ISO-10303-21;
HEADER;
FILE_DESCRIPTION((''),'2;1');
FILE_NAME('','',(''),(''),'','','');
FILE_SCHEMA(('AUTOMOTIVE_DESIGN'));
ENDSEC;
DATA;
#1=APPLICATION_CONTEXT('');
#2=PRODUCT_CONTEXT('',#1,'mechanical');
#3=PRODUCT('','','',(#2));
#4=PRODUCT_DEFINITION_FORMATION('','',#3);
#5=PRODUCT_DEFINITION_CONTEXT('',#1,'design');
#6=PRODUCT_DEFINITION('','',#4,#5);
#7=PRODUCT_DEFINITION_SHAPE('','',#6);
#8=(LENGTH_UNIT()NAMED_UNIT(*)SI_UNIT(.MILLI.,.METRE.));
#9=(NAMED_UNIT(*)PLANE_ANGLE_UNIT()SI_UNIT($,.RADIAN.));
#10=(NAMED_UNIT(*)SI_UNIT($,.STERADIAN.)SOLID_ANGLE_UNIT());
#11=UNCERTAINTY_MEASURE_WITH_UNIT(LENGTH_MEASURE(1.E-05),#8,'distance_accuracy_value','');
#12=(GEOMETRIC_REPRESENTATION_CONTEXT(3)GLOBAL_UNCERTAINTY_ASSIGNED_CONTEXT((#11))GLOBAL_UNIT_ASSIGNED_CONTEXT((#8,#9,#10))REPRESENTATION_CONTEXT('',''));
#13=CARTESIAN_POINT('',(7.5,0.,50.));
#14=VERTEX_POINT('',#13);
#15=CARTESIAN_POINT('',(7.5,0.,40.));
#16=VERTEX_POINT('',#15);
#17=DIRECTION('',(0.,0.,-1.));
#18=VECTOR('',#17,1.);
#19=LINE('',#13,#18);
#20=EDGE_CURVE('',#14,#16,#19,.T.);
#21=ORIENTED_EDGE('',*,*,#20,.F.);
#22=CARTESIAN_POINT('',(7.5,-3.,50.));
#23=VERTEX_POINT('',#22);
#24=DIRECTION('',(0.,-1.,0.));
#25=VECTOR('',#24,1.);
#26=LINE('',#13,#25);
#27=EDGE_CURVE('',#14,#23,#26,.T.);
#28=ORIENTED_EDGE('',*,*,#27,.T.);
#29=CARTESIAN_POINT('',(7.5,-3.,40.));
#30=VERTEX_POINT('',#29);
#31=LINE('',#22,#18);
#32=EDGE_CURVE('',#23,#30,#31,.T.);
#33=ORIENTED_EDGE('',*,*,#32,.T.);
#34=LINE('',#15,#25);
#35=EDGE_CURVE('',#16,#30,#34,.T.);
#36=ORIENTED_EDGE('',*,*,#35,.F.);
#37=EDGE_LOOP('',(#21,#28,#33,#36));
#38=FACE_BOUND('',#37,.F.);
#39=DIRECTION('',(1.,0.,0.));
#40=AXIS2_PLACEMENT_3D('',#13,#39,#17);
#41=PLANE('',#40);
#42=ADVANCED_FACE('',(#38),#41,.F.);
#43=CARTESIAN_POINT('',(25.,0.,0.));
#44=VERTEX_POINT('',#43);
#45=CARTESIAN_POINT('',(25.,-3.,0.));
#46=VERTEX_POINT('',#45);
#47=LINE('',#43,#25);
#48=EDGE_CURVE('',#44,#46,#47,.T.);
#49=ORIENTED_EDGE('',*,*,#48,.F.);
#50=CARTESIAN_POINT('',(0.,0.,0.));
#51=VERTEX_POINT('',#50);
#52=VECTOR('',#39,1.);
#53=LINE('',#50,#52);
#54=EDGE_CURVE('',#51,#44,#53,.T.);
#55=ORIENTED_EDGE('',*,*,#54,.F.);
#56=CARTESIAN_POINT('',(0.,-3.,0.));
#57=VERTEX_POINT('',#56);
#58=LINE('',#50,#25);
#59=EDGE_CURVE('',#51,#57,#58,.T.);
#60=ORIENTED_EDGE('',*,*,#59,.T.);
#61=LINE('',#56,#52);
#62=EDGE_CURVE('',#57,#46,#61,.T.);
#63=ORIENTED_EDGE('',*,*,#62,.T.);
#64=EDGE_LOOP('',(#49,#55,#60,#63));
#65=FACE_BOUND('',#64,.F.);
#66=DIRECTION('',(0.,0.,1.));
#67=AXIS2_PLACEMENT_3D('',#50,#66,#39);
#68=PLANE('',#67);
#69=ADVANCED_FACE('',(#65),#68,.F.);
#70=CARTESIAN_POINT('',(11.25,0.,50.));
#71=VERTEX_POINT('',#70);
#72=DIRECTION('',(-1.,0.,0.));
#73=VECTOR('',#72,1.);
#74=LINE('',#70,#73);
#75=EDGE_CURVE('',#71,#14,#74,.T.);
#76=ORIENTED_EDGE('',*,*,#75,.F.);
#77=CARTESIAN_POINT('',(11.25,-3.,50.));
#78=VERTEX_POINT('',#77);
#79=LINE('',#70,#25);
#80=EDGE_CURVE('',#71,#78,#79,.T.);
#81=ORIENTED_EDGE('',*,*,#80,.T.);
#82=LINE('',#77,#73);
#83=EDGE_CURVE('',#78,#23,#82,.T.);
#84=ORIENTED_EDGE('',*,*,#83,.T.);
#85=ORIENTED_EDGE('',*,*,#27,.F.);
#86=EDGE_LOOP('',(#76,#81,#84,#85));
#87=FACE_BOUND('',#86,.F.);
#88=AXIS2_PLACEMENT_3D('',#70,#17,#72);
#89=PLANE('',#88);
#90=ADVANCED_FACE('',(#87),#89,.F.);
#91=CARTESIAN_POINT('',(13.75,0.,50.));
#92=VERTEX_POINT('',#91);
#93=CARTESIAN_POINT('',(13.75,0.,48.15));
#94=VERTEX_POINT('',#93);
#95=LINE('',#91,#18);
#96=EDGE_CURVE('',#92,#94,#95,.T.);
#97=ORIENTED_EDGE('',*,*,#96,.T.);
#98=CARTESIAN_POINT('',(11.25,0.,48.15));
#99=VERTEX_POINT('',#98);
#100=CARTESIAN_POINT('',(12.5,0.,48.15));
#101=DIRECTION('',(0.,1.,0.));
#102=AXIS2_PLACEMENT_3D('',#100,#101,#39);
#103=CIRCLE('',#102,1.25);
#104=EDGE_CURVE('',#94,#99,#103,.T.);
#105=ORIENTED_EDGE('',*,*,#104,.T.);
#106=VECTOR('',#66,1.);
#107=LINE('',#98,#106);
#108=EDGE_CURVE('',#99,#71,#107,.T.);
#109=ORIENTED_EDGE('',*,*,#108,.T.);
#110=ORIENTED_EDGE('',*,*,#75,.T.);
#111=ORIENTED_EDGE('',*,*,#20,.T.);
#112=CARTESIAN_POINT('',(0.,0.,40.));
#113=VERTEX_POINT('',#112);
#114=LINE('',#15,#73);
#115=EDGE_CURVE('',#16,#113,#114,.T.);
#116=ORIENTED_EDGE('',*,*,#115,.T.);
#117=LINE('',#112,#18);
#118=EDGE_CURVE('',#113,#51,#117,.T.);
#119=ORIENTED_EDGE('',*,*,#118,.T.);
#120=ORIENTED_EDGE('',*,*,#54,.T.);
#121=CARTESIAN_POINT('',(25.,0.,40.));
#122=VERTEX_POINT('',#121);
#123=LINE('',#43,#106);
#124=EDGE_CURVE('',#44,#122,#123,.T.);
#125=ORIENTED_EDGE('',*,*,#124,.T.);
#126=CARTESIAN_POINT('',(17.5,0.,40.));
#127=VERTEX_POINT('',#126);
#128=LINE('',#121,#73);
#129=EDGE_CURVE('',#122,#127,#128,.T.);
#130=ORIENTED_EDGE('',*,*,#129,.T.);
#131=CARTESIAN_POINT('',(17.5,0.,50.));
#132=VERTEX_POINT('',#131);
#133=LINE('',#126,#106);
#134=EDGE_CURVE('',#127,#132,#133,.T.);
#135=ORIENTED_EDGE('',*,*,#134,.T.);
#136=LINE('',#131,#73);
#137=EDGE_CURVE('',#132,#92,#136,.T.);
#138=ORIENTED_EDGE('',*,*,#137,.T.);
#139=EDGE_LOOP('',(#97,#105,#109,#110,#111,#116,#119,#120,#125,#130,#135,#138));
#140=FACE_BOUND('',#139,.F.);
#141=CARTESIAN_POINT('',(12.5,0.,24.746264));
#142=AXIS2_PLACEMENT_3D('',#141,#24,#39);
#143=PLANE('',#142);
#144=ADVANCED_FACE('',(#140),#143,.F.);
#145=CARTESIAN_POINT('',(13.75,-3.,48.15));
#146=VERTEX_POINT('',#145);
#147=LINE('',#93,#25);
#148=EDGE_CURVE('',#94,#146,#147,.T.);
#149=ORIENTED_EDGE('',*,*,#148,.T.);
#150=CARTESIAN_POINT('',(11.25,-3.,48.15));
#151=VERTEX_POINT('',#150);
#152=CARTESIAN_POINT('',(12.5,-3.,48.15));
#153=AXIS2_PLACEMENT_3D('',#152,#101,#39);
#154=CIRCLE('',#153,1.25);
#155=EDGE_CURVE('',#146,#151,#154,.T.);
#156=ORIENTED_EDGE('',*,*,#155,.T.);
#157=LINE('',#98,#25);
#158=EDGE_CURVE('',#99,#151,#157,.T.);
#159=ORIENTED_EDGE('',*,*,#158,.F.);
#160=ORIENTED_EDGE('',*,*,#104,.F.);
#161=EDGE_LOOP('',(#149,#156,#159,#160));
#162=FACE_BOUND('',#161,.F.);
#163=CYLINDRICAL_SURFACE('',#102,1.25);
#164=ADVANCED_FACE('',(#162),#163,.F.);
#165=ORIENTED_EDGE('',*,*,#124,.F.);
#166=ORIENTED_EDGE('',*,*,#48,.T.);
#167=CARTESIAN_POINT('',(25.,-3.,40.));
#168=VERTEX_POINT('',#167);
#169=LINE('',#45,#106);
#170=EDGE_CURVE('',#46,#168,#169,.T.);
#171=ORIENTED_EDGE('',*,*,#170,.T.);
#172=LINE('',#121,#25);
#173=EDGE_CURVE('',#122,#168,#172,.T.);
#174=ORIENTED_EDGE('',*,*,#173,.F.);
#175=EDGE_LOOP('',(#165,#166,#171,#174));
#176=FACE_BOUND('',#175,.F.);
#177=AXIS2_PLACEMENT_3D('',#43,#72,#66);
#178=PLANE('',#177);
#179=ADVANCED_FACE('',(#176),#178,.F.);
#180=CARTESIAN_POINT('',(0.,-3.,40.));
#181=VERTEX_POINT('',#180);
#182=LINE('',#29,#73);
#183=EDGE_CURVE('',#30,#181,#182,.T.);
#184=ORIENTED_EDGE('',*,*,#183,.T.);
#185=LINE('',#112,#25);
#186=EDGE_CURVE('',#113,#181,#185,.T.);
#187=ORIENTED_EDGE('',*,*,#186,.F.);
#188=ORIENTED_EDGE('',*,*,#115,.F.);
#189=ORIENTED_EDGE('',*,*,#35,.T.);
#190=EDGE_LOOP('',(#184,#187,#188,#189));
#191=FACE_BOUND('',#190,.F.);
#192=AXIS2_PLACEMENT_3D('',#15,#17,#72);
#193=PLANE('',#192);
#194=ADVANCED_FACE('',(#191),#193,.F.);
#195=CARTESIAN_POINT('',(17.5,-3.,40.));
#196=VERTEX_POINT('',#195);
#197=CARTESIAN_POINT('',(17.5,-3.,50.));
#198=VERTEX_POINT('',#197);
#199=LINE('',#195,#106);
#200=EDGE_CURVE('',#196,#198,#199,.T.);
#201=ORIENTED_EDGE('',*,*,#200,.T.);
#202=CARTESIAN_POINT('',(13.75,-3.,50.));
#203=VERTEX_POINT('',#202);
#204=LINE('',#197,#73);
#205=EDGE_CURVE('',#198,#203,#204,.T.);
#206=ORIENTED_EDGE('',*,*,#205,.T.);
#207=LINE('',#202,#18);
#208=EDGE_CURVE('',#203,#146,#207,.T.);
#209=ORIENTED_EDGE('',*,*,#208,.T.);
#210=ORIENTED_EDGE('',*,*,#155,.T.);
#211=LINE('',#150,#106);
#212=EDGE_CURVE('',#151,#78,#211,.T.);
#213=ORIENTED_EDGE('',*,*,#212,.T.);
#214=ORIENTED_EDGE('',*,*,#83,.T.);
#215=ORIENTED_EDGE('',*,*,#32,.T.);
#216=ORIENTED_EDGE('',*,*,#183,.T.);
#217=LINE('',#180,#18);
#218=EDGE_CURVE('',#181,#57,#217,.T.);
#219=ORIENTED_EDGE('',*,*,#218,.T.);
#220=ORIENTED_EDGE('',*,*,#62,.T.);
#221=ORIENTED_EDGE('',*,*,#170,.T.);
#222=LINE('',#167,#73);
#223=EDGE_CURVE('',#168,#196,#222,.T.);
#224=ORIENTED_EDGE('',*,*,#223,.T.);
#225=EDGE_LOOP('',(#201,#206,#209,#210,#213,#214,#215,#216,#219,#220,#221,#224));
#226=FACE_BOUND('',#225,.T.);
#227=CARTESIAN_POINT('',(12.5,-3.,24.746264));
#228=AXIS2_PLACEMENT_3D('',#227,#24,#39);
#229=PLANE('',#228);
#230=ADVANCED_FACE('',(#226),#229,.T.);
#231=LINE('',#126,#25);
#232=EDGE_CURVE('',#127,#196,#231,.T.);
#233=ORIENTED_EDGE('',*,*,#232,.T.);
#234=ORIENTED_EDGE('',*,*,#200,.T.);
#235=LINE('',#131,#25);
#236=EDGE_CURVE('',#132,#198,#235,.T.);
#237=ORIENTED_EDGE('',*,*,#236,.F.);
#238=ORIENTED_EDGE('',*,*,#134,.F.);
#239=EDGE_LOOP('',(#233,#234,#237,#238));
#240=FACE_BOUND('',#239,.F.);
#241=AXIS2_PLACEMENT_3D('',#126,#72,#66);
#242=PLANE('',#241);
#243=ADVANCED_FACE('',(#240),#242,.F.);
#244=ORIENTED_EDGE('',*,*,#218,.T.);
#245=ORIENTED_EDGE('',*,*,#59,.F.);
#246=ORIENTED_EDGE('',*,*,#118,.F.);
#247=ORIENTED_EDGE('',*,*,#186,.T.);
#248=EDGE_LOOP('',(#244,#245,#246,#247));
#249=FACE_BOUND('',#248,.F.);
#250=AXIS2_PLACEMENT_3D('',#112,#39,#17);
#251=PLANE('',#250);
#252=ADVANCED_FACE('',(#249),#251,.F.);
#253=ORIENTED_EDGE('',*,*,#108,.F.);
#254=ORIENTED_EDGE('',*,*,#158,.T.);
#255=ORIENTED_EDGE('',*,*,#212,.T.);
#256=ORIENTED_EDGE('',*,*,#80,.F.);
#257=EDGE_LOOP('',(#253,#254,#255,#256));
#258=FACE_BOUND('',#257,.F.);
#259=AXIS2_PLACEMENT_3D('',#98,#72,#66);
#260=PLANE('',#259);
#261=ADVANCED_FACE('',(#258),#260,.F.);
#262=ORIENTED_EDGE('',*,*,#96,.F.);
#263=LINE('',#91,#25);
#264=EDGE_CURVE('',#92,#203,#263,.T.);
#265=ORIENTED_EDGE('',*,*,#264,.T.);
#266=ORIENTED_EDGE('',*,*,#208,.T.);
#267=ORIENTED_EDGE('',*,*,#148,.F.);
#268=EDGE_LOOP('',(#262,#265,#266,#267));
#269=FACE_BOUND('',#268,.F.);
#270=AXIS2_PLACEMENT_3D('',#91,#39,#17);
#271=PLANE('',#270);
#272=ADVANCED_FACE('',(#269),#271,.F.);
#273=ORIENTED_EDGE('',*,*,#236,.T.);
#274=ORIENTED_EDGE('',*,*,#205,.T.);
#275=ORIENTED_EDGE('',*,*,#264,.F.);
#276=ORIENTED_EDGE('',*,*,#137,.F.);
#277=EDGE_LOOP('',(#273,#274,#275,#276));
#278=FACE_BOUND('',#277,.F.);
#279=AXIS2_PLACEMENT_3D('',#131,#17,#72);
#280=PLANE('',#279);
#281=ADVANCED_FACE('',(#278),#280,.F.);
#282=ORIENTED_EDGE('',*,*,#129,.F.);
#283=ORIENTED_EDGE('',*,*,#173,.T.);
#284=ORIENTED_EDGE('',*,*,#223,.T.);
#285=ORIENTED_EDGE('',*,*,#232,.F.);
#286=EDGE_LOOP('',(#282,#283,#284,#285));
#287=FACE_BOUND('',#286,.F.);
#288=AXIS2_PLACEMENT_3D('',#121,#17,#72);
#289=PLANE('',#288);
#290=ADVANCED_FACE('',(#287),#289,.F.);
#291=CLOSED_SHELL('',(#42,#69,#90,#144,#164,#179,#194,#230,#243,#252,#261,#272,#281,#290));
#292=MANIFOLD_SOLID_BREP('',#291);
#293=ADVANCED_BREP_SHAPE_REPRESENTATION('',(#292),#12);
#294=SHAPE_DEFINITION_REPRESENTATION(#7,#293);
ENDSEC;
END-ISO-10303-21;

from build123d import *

# Parameters (mm, degrees)
F1_DEPTH = 3


with BuildPart() as f1:
    # F0 (on Front) → F1 (new body)
    with BuildSketch(Plane.XZ):
        with BuildLine():
            Line((0, 40), (0, 0))
            Line((0, 0), (25, 0))
            Line((25, 0), (25, 40))
            Line((25, 40), (17.5, 40))
            Line((17.5, 40), (17.5, 50))
            Line((17.5, 50), (13.75, 50))
            Line((13.75, 50), (13.75, 48.15))
            ThreePointArc((13.75, 48.15), (12.5, 46.9), (11.25, 48.15))
            Line((11.25, 48.15), (11.25, 50))
            Line((11.25, 50), (7.5, 50))
            Line((7.5, 50), (7.5, 40))
            Line((7.5, 40), (0, 40))
        make_face()
    extrude(amount=F1_DEPTH)


solid = f1.part
